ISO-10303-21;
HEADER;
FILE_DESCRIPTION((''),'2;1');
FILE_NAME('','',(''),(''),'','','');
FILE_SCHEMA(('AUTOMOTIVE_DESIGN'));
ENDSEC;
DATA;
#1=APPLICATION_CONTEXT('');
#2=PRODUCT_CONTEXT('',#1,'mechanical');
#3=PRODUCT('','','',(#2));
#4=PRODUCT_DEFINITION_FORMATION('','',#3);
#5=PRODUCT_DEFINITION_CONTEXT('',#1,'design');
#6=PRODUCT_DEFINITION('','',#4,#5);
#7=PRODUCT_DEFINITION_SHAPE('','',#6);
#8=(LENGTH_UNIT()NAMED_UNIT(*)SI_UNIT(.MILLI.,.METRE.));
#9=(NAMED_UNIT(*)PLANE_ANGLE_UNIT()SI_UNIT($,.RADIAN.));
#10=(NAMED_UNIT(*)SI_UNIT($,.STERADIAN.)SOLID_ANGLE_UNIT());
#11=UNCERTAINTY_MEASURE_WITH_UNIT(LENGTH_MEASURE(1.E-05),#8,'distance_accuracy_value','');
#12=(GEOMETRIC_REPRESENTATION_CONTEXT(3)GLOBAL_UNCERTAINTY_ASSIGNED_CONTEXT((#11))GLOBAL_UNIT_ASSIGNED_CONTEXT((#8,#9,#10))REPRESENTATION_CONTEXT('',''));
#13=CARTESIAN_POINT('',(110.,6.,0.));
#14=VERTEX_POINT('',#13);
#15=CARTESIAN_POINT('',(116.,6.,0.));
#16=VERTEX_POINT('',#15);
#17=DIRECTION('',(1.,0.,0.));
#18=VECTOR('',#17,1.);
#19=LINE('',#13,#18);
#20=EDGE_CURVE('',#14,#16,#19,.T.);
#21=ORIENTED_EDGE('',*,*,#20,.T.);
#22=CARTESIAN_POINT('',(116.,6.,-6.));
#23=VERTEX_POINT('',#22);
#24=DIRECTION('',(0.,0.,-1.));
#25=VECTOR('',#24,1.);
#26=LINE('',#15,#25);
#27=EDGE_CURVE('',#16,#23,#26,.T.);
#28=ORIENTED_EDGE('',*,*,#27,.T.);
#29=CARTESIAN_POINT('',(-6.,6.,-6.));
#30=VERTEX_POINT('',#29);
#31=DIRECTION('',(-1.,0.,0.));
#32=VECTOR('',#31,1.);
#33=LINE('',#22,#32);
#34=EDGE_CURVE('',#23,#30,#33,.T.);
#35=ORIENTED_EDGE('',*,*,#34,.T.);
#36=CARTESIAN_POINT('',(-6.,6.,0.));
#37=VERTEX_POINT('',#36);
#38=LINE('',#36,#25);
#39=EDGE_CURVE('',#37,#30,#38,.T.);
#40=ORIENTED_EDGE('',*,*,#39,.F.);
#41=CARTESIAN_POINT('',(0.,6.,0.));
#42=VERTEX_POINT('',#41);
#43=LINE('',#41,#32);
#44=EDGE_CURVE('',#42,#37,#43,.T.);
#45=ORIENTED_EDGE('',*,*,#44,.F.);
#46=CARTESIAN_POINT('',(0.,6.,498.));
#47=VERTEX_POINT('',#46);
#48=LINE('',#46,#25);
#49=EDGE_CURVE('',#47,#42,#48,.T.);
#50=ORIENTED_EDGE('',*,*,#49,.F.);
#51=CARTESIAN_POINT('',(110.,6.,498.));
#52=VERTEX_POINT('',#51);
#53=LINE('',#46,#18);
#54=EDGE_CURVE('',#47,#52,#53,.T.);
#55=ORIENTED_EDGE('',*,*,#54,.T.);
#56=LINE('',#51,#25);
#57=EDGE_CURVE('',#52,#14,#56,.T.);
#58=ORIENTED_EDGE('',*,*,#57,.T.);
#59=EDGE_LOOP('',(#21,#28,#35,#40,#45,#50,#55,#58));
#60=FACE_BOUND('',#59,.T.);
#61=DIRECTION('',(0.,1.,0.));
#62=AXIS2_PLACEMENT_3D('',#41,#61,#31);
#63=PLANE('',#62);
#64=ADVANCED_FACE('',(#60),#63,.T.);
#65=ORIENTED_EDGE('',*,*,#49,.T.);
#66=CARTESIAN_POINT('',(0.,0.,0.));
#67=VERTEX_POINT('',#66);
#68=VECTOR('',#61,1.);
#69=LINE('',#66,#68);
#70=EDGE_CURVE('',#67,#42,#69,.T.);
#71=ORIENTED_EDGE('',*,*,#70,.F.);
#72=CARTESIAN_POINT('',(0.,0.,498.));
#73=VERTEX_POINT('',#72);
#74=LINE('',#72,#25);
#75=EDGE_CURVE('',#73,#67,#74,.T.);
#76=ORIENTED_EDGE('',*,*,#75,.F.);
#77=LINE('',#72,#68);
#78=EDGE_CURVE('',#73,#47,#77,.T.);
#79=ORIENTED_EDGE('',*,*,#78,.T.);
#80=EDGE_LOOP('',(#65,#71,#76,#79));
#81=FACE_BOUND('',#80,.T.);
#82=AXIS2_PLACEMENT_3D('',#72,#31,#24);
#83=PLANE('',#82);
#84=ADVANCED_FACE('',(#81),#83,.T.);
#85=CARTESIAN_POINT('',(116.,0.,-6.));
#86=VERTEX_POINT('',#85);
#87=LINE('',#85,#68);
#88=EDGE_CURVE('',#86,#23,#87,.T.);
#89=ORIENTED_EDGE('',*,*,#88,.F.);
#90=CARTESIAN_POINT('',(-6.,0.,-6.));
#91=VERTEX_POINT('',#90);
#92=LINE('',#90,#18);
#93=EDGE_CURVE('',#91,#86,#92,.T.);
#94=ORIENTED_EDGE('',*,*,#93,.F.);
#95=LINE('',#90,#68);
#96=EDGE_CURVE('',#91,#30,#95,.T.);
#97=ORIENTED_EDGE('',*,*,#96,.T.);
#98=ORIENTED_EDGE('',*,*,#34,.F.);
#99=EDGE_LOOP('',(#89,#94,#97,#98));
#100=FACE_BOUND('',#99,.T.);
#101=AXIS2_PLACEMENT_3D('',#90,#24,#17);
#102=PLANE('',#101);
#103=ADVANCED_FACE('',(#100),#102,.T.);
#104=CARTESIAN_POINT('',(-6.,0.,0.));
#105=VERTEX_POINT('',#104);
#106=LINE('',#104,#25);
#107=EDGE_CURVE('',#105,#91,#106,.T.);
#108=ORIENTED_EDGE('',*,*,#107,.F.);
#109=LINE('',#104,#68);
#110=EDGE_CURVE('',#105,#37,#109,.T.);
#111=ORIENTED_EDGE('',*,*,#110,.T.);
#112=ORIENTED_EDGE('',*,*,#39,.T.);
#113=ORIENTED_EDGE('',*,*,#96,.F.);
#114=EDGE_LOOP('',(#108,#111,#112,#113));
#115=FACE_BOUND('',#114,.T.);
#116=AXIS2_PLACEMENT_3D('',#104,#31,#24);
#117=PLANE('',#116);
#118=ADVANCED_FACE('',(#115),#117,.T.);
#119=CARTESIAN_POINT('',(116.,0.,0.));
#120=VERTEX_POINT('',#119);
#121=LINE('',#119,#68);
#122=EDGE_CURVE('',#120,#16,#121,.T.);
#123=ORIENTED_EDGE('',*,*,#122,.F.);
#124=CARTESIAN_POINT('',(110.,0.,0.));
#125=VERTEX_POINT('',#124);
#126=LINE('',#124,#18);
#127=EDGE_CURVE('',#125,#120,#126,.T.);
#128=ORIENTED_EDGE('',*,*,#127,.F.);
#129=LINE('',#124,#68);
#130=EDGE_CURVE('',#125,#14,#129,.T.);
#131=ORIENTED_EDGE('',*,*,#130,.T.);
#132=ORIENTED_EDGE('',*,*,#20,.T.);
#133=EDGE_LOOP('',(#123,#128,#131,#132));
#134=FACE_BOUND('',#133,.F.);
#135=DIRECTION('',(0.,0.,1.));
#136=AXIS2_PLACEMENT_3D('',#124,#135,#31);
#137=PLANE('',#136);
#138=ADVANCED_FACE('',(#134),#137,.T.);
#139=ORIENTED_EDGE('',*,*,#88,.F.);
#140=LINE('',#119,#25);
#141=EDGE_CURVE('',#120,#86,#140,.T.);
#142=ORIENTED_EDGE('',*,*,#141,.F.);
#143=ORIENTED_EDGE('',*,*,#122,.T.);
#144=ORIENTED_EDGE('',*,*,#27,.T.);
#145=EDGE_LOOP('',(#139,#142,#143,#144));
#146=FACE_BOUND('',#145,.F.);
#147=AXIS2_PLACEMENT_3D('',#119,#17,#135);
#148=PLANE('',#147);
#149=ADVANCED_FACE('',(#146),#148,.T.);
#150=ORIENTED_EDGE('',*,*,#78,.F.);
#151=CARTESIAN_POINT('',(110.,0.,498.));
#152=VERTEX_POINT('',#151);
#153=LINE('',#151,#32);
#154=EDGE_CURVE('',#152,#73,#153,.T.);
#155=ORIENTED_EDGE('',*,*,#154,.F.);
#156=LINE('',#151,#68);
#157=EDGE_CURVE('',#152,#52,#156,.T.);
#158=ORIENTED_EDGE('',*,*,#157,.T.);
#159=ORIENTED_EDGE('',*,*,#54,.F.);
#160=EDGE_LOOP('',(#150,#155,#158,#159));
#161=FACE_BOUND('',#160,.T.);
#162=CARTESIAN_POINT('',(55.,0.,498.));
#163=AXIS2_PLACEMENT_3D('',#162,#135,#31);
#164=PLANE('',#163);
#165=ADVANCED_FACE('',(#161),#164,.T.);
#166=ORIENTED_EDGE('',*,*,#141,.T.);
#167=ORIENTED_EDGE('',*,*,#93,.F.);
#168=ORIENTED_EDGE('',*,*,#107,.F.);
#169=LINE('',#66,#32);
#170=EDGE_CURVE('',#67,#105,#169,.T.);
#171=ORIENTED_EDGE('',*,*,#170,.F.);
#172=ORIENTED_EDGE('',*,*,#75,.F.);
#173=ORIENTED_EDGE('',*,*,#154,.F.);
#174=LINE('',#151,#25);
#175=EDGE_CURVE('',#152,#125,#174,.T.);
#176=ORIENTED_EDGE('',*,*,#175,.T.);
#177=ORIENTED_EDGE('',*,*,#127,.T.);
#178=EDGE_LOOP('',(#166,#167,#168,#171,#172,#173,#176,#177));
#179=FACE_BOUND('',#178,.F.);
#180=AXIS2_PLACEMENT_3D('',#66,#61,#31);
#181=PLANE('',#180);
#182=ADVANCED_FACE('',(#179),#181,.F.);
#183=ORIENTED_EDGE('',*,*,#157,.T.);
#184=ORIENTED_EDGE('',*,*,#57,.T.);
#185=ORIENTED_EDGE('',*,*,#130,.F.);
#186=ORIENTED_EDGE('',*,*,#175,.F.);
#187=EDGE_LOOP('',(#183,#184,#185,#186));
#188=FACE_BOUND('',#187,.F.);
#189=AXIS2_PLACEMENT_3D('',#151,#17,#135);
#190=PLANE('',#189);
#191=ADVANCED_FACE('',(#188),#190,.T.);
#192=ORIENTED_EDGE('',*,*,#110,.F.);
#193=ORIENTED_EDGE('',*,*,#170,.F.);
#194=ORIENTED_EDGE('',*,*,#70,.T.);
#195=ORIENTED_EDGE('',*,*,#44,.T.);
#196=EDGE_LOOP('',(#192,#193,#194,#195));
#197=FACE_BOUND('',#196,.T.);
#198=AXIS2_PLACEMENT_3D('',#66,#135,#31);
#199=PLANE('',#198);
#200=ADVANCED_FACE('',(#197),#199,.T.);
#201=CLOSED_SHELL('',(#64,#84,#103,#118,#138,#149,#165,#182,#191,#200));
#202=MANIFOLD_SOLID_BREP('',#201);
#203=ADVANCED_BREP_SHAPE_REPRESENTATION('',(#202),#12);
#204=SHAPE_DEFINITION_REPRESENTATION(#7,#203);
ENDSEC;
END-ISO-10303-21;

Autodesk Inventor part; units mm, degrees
ref_plane "YZ Plane" through (0, 0, 0) normal (1, 0, 0) x (0, 1, 0)
ref_plane "XZ Plane" through (0, 0, 0) normal (0, 1, 0) x (-1, 0, 0)
ref_plane "XY Plane" through (0, 0, 0) normal (0, 0, 1) x (1, 0, 0)
sketch "Sketch1" plane through (0, 0, 0) normal (0, 1, 0) x (-1, 0, 0)
  line L0 (0, 0) -> (6, 0)
  line L1 (6, 0) -> (6, -6)
  line L2 (6, -6) -> (0, -6)
  line L3 (0, -6) -> (0, 0)
  line L4 (0, -6) -> (-55, -6)
  line L5 (-55, -6) -> (-55, 498)
  line L6 (-55, 498) -> (0, 498)
  line L7 (0, 498) -> (0, -6)
  dimension "d0" = 6
  dimension "d1" = 6
  dimension "d2" = 55
  dimension "d3" = 504
extrude "Extrusion1" add sketch "Sketch1" along normal blind 6
mirror "Mirror1" about plane through (55, 0, 498) normal (1, 0, 0) of "Extrusion1"
properties part number "wall 3 for sorting"
